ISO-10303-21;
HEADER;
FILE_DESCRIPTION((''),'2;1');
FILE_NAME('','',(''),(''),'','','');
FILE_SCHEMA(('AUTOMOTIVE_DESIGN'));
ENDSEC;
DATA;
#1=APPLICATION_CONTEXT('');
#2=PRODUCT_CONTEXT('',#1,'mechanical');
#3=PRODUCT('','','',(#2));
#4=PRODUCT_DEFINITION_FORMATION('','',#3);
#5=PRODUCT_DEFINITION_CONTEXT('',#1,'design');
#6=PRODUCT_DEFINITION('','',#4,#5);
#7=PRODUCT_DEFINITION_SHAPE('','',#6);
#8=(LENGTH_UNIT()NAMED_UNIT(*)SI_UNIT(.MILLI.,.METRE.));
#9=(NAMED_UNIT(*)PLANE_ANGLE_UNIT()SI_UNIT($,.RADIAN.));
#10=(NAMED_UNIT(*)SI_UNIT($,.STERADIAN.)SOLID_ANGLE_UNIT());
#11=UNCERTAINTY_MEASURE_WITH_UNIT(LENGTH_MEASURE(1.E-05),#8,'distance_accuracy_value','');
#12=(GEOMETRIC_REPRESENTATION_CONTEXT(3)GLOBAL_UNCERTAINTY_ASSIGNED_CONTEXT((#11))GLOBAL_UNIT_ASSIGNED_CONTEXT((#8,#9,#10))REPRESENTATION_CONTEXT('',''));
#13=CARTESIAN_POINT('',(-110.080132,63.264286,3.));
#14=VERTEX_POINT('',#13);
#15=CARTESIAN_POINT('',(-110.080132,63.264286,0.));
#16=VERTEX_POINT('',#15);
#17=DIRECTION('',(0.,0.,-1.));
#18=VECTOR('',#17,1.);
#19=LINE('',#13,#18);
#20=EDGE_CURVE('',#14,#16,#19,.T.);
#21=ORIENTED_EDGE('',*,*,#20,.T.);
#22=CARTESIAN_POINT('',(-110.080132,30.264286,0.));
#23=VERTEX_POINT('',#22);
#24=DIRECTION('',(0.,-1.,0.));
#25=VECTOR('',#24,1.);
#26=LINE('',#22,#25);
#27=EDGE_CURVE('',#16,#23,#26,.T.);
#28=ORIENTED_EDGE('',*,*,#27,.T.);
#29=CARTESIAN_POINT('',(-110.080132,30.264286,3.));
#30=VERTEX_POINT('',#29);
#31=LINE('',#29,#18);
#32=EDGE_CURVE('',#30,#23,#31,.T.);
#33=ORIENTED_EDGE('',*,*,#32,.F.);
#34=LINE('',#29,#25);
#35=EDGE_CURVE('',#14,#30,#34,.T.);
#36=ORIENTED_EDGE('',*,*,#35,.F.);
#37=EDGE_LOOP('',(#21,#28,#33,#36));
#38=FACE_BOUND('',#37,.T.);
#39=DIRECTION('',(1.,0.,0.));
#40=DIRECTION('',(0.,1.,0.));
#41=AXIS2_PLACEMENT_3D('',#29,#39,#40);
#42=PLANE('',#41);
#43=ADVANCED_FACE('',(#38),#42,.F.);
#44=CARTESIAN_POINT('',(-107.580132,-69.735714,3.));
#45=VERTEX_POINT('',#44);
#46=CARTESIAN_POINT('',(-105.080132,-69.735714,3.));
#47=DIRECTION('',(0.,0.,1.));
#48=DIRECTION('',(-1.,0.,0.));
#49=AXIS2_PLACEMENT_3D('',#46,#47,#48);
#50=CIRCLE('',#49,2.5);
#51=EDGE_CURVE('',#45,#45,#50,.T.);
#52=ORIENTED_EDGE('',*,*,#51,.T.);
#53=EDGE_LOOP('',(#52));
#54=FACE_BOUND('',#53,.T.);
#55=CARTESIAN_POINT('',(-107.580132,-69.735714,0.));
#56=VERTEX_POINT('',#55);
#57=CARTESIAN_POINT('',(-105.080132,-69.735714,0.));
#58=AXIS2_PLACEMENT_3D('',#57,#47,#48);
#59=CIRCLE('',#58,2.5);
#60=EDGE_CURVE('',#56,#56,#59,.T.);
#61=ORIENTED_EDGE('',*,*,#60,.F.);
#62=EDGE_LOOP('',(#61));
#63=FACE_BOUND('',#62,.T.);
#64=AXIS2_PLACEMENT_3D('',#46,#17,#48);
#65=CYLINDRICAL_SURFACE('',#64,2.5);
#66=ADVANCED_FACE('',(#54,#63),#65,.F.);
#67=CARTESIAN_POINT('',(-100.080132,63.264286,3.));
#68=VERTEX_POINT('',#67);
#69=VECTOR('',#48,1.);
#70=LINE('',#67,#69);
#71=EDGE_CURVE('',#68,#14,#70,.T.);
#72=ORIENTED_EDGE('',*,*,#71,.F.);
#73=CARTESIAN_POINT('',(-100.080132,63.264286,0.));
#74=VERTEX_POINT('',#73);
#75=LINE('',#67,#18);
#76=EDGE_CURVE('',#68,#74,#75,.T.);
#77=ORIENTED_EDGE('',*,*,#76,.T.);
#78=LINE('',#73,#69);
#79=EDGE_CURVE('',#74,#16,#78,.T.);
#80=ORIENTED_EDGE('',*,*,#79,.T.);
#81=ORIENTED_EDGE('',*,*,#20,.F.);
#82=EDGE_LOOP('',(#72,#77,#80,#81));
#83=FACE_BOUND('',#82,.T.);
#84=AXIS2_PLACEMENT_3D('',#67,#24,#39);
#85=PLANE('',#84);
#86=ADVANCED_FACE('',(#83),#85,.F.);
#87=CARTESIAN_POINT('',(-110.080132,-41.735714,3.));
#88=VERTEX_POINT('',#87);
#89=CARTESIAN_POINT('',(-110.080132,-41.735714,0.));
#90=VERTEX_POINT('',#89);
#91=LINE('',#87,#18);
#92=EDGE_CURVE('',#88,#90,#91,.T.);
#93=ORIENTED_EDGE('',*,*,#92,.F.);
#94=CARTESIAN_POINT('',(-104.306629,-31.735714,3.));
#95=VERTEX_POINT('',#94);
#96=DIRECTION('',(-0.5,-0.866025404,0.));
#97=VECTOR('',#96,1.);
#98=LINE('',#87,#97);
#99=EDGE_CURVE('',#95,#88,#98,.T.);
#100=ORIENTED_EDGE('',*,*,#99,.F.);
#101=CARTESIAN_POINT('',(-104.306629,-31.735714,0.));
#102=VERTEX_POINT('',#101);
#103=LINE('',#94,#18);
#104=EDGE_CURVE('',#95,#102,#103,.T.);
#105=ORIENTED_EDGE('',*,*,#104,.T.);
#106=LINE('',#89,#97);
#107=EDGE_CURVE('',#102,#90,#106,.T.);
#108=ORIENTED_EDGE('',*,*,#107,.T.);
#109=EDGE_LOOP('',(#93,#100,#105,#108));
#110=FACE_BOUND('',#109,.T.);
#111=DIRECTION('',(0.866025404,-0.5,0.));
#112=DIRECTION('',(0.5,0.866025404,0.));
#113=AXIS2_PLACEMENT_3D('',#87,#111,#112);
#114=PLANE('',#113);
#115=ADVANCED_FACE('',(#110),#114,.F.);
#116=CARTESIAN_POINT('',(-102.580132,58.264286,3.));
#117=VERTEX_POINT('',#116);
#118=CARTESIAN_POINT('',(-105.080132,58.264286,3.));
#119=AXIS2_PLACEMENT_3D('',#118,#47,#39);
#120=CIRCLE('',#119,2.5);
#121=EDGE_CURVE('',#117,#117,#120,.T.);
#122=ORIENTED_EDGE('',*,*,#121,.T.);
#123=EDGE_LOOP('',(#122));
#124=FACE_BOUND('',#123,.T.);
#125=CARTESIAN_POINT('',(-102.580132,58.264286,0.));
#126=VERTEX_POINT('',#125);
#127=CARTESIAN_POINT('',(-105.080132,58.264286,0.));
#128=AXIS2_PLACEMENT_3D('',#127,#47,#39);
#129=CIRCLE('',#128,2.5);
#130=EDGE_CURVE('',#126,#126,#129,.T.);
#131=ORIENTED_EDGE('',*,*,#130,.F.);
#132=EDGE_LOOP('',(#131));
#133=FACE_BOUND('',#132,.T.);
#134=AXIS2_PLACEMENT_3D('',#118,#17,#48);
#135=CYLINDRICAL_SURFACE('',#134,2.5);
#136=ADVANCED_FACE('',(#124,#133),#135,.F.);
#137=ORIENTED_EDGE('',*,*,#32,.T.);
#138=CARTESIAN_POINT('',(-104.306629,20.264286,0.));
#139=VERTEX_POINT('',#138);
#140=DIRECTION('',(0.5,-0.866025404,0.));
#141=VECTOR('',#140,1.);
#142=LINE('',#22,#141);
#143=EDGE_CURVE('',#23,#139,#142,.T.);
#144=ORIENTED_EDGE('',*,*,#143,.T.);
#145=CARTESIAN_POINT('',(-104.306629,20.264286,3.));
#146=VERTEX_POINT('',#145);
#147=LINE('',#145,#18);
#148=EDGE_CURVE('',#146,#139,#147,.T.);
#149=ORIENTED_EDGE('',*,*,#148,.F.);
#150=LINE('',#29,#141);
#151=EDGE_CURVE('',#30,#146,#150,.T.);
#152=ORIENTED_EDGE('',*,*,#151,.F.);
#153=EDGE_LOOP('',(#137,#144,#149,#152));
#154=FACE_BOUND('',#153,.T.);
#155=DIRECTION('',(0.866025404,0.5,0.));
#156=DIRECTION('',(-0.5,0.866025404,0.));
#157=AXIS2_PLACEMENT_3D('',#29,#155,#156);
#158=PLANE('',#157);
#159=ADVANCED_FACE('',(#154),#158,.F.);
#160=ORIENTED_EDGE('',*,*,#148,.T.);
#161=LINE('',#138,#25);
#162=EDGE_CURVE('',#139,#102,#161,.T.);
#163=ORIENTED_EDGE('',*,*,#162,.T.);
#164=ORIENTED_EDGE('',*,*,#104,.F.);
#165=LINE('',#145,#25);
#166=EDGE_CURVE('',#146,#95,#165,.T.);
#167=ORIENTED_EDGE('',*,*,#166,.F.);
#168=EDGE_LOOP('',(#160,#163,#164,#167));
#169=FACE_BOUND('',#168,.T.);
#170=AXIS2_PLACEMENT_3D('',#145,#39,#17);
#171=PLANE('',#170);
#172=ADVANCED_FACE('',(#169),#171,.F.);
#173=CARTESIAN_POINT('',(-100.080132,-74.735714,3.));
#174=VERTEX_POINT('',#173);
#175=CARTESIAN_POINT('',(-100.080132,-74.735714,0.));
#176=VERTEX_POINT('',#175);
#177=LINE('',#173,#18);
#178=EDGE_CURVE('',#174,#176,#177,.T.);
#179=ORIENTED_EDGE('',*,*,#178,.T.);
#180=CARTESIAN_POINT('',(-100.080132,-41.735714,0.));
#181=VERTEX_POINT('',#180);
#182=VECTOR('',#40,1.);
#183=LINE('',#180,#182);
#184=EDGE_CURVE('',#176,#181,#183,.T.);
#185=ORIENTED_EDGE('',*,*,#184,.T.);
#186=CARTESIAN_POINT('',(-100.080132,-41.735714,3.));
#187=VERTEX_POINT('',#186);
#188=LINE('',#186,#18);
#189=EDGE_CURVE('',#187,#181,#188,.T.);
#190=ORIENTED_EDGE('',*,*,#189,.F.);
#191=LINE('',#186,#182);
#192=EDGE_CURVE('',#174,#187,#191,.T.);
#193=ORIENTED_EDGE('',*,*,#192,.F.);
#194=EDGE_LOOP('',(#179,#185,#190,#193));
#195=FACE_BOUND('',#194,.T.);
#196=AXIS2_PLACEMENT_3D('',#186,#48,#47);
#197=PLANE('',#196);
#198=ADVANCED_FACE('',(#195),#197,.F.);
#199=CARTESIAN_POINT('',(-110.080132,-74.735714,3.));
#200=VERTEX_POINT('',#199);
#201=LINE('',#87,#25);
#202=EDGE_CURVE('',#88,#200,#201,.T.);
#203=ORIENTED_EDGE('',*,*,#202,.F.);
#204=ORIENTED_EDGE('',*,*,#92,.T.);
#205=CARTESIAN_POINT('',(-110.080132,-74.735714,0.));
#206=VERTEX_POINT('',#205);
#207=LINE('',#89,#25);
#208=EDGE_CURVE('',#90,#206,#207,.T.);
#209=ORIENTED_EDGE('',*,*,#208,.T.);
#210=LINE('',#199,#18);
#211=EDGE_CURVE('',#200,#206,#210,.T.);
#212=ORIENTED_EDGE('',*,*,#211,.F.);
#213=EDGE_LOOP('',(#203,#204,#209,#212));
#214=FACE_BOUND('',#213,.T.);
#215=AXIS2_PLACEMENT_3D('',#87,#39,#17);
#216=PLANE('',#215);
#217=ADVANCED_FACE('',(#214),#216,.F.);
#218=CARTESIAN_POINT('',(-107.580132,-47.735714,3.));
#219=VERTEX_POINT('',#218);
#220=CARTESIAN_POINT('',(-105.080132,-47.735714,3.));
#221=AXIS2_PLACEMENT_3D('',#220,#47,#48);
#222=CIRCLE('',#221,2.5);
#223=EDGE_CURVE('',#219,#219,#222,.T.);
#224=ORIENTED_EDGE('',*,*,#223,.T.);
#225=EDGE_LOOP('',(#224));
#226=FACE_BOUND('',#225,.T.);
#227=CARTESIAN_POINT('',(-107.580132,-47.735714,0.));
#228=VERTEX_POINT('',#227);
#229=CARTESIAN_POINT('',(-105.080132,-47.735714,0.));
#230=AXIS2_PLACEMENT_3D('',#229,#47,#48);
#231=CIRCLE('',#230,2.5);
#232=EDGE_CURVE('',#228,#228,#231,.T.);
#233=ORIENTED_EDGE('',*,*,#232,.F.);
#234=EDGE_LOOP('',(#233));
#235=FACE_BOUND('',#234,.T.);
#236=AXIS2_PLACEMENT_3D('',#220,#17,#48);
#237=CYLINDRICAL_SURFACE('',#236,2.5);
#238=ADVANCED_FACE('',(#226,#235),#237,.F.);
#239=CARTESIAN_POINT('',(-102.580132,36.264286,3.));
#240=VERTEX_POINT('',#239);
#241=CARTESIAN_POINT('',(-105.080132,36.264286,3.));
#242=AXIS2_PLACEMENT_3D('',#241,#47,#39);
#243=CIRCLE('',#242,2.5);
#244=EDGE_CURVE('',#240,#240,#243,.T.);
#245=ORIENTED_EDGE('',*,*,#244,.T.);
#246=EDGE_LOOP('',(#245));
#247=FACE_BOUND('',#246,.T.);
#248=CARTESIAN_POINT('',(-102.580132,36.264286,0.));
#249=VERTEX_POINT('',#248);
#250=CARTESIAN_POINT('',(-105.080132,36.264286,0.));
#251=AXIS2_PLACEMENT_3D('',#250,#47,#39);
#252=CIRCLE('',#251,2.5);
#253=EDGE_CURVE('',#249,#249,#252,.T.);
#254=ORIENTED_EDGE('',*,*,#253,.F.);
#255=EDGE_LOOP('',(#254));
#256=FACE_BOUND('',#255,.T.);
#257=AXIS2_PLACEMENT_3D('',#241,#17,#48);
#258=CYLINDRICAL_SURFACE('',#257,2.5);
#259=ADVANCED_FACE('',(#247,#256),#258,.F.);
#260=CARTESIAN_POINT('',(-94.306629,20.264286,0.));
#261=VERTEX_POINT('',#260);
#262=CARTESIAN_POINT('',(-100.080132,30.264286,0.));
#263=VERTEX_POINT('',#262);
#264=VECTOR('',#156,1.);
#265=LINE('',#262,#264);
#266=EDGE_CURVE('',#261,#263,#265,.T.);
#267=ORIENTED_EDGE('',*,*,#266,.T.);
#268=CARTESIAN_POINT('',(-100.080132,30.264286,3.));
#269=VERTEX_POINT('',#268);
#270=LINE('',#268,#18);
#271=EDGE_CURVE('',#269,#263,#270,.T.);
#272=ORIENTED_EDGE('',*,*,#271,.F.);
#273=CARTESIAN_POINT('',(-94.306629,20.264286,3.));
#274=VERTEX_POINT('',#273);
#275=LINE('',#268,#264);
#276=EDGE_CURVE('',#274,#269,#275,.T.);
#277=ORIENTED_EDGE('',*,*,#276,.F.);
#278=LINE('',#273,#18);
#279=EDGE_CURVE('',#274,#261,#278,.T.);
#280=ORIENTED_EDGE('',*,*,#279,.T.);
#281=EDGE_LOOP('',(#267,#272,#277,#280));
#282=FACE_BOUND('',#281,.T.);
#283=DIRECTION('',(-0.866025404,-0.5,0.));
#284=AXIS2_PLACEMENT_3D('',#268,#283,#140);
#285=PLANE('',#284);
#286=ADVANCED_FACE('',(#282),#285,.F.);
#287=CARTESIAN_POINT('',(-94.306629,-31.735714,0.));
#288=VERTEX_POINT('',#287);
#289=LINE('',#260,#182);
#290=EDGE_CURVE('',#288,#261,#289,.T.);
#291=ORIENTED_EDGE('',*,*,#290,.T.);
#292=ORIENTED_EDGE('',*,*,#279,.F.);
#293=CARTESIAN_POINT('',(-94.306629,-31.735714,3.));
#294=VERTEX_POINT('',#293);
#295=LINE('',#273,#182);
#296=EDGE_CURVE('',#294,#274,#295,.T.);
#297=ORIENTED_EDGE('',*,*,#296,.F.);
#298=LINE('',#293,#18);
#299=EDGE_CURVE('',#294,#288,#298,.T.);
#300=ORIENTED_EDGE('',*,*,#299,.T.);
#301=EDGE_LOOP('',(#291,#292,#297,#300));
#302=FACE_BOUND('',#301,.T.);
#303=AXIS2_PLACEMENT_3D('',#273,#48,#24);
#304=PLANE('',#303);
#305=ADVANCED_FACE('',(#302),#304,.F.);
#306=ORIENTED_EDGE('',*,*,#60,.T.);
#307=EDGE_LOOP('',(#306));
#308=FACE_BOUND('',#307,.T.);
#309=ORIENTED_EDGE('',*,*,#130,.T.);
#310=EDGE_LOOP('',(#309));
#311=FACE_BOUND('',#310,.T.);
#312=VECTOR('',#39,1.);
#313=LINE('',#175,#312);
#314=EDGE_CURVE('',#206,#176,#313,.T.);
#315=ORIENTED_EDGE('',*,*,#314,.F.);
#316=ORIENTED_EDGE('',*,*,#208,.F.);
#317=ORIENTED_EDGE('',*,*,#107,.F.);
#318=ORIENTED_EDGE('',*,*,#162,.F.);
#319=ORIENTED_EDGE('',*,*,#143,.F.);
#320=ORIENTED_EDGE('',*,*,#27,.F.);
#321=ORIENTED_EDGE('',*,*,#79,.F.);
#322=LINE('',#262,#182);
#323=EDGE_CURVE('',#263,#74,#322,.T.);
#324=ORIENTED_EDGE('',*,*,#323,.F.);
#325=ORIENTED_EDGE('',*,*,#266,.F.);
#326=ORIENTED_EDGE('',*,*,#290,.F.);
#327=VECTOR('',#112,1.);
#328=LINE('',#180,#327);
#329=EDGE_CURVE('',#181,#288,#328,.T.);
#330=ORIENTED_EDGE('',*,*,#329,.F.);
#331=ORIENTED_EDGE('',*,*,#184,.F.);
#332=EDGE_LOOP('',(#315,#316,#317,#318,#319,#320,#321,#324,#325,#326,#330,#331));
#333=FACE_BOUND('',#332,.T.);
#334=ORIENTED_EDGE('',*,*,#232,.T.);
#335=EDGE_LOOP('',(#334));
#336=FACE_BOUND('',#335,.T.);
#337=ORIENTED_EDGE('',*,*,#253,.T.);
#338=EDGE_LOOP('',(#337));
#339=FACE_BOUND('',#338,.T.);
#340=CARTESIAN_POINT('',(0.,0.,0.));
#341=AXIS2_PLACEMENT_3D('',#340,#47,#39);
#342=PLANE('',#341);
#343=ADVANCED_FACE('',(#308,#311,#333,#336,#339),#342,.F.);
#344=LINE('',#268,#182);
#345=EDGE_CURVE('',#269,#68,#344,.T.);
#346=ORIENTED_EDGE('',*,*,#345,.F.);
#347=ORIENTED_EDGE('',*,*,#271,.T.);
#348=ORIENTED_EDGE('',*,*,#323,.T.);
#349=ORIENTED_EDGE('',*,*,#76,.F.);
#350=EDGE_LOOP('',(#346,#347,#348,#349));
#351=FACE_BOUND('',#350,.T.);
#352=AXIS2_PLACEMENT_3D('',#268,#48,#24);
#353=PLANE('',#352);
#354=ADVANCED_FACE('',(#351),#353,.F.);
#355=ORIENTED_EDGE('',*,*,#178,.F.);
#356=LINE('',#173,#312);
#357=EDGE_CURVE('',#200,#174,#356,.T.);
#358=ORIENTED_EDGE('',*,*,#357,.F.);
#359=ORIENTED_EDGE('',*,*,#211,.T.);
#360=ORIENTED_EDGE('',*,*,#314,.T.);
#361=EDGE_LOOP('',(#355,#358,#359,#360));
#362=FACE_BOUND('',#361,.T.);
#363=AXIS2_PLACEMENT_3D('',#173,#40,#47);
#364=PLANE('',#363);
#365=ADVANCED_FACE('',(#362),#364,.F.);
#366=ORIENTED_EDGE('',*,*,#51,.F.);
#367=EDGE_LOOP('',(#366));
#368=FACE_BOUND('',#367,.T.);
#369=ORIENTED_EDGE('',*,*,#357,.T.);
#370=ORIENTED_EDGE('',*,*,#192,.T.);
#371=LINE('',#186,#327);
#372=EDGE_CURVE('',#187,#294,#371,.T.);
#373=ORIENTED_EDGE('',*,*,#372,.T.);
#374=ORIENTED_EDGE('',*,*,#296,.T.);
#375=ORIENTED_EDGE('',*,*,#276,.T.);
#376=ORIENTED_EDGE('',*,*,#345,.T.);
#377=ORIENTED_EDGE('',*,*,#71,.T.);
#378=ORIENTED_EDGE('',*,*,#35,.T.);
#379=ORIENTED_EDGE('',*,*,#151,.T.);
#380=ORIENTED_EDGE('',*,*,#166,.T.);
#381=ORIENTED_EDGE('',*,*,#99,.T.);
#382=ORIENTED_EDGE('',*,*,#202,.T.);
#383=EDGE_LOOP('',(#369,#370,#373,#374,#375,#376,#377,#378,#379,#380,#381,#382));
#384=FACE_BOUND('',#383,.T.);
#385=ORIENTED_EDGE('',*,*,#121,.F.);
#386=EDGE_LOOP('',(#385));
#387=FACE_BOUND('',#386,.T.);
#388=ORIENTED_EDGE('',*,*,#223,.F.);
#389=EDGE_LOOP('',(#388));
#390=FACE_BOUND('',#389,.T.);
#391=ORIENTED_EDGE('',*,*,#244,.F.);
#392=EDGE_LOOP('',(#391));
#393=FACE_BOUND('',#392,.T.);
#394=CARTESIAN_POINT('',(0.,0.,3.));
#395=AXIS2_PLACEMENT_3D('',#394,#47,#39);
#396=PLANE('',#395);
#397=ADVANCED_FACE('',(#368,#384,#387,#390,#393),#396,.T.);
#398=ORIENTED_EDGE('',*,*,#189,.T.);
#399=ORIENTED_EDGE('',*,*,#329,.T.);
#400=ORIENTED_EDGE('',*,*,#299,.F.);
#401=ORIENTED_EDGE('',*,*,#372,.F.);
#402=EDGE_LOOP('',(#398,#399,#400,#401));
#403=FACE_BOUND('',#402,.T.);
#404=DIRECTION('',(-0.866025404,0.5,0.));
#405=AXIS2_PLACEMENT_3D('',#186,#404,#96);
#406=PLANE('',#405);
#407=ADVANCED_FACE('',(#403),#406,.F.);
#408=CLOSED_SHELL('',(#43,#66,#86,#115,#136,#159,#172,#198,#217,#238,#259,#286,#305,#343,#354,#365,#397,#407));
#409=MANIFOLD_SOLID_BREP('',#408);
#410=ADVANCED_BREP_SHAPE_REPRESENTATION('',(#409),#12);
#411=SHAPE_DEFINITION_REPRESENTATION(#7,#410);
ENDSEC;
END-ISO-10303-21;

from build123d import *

# Parameters (mm, degrees)
ESQUISSE1_R        = 2.5
BOSS_EXTRU_1_DEPTH = 3


with BuildPart() as part:
    # Esquisse1 → Boss.-Extru.1 (new body)
    with BuildSketch(Plane.XY):
        Polygon((-100.080131723, 30.264285714), (-100.080131723, 63.264285714), (-110.080131723, 63.264285714), (-110.080131723, 30.264285714), (-104.306629031, 20.264285714), (-104.306629031, -31.735714286), (-110.080131723, -41.735714286), (-110.080131723, -74.735714286), (-100.080131723, -74.735714286), (-100.080131723, -41.735714286), (-94.306629031, -31.735714286), (-94.306629031, 20.264285714), align=None)
        with Locations((-105.080131723, 58.264285714)):
            Circle(ESQUISSE1_R, mode=Mode.SUBTRACT)
        with Locations((-105.080131723, 36.264285714)):
            Circle(ESQUISSE1_R, mode=Mode.SUBTRACT)
        with Locations(Location((-105.080131723, -47.735714286, 0), (0, 0, 180))):
            Circle(ESQUISSE1_R, mode=Mode.SUBTRACT)
        with Locations(Location((-105.080131723, -69.735714286, 0), (0, 0, 180))):
            Circle(ESQUISSE1_R, mode=Mode.SUBTRACT)
    extrude(amount=BOSS_EXTRU_1_DEPTH)


solid = part.part
